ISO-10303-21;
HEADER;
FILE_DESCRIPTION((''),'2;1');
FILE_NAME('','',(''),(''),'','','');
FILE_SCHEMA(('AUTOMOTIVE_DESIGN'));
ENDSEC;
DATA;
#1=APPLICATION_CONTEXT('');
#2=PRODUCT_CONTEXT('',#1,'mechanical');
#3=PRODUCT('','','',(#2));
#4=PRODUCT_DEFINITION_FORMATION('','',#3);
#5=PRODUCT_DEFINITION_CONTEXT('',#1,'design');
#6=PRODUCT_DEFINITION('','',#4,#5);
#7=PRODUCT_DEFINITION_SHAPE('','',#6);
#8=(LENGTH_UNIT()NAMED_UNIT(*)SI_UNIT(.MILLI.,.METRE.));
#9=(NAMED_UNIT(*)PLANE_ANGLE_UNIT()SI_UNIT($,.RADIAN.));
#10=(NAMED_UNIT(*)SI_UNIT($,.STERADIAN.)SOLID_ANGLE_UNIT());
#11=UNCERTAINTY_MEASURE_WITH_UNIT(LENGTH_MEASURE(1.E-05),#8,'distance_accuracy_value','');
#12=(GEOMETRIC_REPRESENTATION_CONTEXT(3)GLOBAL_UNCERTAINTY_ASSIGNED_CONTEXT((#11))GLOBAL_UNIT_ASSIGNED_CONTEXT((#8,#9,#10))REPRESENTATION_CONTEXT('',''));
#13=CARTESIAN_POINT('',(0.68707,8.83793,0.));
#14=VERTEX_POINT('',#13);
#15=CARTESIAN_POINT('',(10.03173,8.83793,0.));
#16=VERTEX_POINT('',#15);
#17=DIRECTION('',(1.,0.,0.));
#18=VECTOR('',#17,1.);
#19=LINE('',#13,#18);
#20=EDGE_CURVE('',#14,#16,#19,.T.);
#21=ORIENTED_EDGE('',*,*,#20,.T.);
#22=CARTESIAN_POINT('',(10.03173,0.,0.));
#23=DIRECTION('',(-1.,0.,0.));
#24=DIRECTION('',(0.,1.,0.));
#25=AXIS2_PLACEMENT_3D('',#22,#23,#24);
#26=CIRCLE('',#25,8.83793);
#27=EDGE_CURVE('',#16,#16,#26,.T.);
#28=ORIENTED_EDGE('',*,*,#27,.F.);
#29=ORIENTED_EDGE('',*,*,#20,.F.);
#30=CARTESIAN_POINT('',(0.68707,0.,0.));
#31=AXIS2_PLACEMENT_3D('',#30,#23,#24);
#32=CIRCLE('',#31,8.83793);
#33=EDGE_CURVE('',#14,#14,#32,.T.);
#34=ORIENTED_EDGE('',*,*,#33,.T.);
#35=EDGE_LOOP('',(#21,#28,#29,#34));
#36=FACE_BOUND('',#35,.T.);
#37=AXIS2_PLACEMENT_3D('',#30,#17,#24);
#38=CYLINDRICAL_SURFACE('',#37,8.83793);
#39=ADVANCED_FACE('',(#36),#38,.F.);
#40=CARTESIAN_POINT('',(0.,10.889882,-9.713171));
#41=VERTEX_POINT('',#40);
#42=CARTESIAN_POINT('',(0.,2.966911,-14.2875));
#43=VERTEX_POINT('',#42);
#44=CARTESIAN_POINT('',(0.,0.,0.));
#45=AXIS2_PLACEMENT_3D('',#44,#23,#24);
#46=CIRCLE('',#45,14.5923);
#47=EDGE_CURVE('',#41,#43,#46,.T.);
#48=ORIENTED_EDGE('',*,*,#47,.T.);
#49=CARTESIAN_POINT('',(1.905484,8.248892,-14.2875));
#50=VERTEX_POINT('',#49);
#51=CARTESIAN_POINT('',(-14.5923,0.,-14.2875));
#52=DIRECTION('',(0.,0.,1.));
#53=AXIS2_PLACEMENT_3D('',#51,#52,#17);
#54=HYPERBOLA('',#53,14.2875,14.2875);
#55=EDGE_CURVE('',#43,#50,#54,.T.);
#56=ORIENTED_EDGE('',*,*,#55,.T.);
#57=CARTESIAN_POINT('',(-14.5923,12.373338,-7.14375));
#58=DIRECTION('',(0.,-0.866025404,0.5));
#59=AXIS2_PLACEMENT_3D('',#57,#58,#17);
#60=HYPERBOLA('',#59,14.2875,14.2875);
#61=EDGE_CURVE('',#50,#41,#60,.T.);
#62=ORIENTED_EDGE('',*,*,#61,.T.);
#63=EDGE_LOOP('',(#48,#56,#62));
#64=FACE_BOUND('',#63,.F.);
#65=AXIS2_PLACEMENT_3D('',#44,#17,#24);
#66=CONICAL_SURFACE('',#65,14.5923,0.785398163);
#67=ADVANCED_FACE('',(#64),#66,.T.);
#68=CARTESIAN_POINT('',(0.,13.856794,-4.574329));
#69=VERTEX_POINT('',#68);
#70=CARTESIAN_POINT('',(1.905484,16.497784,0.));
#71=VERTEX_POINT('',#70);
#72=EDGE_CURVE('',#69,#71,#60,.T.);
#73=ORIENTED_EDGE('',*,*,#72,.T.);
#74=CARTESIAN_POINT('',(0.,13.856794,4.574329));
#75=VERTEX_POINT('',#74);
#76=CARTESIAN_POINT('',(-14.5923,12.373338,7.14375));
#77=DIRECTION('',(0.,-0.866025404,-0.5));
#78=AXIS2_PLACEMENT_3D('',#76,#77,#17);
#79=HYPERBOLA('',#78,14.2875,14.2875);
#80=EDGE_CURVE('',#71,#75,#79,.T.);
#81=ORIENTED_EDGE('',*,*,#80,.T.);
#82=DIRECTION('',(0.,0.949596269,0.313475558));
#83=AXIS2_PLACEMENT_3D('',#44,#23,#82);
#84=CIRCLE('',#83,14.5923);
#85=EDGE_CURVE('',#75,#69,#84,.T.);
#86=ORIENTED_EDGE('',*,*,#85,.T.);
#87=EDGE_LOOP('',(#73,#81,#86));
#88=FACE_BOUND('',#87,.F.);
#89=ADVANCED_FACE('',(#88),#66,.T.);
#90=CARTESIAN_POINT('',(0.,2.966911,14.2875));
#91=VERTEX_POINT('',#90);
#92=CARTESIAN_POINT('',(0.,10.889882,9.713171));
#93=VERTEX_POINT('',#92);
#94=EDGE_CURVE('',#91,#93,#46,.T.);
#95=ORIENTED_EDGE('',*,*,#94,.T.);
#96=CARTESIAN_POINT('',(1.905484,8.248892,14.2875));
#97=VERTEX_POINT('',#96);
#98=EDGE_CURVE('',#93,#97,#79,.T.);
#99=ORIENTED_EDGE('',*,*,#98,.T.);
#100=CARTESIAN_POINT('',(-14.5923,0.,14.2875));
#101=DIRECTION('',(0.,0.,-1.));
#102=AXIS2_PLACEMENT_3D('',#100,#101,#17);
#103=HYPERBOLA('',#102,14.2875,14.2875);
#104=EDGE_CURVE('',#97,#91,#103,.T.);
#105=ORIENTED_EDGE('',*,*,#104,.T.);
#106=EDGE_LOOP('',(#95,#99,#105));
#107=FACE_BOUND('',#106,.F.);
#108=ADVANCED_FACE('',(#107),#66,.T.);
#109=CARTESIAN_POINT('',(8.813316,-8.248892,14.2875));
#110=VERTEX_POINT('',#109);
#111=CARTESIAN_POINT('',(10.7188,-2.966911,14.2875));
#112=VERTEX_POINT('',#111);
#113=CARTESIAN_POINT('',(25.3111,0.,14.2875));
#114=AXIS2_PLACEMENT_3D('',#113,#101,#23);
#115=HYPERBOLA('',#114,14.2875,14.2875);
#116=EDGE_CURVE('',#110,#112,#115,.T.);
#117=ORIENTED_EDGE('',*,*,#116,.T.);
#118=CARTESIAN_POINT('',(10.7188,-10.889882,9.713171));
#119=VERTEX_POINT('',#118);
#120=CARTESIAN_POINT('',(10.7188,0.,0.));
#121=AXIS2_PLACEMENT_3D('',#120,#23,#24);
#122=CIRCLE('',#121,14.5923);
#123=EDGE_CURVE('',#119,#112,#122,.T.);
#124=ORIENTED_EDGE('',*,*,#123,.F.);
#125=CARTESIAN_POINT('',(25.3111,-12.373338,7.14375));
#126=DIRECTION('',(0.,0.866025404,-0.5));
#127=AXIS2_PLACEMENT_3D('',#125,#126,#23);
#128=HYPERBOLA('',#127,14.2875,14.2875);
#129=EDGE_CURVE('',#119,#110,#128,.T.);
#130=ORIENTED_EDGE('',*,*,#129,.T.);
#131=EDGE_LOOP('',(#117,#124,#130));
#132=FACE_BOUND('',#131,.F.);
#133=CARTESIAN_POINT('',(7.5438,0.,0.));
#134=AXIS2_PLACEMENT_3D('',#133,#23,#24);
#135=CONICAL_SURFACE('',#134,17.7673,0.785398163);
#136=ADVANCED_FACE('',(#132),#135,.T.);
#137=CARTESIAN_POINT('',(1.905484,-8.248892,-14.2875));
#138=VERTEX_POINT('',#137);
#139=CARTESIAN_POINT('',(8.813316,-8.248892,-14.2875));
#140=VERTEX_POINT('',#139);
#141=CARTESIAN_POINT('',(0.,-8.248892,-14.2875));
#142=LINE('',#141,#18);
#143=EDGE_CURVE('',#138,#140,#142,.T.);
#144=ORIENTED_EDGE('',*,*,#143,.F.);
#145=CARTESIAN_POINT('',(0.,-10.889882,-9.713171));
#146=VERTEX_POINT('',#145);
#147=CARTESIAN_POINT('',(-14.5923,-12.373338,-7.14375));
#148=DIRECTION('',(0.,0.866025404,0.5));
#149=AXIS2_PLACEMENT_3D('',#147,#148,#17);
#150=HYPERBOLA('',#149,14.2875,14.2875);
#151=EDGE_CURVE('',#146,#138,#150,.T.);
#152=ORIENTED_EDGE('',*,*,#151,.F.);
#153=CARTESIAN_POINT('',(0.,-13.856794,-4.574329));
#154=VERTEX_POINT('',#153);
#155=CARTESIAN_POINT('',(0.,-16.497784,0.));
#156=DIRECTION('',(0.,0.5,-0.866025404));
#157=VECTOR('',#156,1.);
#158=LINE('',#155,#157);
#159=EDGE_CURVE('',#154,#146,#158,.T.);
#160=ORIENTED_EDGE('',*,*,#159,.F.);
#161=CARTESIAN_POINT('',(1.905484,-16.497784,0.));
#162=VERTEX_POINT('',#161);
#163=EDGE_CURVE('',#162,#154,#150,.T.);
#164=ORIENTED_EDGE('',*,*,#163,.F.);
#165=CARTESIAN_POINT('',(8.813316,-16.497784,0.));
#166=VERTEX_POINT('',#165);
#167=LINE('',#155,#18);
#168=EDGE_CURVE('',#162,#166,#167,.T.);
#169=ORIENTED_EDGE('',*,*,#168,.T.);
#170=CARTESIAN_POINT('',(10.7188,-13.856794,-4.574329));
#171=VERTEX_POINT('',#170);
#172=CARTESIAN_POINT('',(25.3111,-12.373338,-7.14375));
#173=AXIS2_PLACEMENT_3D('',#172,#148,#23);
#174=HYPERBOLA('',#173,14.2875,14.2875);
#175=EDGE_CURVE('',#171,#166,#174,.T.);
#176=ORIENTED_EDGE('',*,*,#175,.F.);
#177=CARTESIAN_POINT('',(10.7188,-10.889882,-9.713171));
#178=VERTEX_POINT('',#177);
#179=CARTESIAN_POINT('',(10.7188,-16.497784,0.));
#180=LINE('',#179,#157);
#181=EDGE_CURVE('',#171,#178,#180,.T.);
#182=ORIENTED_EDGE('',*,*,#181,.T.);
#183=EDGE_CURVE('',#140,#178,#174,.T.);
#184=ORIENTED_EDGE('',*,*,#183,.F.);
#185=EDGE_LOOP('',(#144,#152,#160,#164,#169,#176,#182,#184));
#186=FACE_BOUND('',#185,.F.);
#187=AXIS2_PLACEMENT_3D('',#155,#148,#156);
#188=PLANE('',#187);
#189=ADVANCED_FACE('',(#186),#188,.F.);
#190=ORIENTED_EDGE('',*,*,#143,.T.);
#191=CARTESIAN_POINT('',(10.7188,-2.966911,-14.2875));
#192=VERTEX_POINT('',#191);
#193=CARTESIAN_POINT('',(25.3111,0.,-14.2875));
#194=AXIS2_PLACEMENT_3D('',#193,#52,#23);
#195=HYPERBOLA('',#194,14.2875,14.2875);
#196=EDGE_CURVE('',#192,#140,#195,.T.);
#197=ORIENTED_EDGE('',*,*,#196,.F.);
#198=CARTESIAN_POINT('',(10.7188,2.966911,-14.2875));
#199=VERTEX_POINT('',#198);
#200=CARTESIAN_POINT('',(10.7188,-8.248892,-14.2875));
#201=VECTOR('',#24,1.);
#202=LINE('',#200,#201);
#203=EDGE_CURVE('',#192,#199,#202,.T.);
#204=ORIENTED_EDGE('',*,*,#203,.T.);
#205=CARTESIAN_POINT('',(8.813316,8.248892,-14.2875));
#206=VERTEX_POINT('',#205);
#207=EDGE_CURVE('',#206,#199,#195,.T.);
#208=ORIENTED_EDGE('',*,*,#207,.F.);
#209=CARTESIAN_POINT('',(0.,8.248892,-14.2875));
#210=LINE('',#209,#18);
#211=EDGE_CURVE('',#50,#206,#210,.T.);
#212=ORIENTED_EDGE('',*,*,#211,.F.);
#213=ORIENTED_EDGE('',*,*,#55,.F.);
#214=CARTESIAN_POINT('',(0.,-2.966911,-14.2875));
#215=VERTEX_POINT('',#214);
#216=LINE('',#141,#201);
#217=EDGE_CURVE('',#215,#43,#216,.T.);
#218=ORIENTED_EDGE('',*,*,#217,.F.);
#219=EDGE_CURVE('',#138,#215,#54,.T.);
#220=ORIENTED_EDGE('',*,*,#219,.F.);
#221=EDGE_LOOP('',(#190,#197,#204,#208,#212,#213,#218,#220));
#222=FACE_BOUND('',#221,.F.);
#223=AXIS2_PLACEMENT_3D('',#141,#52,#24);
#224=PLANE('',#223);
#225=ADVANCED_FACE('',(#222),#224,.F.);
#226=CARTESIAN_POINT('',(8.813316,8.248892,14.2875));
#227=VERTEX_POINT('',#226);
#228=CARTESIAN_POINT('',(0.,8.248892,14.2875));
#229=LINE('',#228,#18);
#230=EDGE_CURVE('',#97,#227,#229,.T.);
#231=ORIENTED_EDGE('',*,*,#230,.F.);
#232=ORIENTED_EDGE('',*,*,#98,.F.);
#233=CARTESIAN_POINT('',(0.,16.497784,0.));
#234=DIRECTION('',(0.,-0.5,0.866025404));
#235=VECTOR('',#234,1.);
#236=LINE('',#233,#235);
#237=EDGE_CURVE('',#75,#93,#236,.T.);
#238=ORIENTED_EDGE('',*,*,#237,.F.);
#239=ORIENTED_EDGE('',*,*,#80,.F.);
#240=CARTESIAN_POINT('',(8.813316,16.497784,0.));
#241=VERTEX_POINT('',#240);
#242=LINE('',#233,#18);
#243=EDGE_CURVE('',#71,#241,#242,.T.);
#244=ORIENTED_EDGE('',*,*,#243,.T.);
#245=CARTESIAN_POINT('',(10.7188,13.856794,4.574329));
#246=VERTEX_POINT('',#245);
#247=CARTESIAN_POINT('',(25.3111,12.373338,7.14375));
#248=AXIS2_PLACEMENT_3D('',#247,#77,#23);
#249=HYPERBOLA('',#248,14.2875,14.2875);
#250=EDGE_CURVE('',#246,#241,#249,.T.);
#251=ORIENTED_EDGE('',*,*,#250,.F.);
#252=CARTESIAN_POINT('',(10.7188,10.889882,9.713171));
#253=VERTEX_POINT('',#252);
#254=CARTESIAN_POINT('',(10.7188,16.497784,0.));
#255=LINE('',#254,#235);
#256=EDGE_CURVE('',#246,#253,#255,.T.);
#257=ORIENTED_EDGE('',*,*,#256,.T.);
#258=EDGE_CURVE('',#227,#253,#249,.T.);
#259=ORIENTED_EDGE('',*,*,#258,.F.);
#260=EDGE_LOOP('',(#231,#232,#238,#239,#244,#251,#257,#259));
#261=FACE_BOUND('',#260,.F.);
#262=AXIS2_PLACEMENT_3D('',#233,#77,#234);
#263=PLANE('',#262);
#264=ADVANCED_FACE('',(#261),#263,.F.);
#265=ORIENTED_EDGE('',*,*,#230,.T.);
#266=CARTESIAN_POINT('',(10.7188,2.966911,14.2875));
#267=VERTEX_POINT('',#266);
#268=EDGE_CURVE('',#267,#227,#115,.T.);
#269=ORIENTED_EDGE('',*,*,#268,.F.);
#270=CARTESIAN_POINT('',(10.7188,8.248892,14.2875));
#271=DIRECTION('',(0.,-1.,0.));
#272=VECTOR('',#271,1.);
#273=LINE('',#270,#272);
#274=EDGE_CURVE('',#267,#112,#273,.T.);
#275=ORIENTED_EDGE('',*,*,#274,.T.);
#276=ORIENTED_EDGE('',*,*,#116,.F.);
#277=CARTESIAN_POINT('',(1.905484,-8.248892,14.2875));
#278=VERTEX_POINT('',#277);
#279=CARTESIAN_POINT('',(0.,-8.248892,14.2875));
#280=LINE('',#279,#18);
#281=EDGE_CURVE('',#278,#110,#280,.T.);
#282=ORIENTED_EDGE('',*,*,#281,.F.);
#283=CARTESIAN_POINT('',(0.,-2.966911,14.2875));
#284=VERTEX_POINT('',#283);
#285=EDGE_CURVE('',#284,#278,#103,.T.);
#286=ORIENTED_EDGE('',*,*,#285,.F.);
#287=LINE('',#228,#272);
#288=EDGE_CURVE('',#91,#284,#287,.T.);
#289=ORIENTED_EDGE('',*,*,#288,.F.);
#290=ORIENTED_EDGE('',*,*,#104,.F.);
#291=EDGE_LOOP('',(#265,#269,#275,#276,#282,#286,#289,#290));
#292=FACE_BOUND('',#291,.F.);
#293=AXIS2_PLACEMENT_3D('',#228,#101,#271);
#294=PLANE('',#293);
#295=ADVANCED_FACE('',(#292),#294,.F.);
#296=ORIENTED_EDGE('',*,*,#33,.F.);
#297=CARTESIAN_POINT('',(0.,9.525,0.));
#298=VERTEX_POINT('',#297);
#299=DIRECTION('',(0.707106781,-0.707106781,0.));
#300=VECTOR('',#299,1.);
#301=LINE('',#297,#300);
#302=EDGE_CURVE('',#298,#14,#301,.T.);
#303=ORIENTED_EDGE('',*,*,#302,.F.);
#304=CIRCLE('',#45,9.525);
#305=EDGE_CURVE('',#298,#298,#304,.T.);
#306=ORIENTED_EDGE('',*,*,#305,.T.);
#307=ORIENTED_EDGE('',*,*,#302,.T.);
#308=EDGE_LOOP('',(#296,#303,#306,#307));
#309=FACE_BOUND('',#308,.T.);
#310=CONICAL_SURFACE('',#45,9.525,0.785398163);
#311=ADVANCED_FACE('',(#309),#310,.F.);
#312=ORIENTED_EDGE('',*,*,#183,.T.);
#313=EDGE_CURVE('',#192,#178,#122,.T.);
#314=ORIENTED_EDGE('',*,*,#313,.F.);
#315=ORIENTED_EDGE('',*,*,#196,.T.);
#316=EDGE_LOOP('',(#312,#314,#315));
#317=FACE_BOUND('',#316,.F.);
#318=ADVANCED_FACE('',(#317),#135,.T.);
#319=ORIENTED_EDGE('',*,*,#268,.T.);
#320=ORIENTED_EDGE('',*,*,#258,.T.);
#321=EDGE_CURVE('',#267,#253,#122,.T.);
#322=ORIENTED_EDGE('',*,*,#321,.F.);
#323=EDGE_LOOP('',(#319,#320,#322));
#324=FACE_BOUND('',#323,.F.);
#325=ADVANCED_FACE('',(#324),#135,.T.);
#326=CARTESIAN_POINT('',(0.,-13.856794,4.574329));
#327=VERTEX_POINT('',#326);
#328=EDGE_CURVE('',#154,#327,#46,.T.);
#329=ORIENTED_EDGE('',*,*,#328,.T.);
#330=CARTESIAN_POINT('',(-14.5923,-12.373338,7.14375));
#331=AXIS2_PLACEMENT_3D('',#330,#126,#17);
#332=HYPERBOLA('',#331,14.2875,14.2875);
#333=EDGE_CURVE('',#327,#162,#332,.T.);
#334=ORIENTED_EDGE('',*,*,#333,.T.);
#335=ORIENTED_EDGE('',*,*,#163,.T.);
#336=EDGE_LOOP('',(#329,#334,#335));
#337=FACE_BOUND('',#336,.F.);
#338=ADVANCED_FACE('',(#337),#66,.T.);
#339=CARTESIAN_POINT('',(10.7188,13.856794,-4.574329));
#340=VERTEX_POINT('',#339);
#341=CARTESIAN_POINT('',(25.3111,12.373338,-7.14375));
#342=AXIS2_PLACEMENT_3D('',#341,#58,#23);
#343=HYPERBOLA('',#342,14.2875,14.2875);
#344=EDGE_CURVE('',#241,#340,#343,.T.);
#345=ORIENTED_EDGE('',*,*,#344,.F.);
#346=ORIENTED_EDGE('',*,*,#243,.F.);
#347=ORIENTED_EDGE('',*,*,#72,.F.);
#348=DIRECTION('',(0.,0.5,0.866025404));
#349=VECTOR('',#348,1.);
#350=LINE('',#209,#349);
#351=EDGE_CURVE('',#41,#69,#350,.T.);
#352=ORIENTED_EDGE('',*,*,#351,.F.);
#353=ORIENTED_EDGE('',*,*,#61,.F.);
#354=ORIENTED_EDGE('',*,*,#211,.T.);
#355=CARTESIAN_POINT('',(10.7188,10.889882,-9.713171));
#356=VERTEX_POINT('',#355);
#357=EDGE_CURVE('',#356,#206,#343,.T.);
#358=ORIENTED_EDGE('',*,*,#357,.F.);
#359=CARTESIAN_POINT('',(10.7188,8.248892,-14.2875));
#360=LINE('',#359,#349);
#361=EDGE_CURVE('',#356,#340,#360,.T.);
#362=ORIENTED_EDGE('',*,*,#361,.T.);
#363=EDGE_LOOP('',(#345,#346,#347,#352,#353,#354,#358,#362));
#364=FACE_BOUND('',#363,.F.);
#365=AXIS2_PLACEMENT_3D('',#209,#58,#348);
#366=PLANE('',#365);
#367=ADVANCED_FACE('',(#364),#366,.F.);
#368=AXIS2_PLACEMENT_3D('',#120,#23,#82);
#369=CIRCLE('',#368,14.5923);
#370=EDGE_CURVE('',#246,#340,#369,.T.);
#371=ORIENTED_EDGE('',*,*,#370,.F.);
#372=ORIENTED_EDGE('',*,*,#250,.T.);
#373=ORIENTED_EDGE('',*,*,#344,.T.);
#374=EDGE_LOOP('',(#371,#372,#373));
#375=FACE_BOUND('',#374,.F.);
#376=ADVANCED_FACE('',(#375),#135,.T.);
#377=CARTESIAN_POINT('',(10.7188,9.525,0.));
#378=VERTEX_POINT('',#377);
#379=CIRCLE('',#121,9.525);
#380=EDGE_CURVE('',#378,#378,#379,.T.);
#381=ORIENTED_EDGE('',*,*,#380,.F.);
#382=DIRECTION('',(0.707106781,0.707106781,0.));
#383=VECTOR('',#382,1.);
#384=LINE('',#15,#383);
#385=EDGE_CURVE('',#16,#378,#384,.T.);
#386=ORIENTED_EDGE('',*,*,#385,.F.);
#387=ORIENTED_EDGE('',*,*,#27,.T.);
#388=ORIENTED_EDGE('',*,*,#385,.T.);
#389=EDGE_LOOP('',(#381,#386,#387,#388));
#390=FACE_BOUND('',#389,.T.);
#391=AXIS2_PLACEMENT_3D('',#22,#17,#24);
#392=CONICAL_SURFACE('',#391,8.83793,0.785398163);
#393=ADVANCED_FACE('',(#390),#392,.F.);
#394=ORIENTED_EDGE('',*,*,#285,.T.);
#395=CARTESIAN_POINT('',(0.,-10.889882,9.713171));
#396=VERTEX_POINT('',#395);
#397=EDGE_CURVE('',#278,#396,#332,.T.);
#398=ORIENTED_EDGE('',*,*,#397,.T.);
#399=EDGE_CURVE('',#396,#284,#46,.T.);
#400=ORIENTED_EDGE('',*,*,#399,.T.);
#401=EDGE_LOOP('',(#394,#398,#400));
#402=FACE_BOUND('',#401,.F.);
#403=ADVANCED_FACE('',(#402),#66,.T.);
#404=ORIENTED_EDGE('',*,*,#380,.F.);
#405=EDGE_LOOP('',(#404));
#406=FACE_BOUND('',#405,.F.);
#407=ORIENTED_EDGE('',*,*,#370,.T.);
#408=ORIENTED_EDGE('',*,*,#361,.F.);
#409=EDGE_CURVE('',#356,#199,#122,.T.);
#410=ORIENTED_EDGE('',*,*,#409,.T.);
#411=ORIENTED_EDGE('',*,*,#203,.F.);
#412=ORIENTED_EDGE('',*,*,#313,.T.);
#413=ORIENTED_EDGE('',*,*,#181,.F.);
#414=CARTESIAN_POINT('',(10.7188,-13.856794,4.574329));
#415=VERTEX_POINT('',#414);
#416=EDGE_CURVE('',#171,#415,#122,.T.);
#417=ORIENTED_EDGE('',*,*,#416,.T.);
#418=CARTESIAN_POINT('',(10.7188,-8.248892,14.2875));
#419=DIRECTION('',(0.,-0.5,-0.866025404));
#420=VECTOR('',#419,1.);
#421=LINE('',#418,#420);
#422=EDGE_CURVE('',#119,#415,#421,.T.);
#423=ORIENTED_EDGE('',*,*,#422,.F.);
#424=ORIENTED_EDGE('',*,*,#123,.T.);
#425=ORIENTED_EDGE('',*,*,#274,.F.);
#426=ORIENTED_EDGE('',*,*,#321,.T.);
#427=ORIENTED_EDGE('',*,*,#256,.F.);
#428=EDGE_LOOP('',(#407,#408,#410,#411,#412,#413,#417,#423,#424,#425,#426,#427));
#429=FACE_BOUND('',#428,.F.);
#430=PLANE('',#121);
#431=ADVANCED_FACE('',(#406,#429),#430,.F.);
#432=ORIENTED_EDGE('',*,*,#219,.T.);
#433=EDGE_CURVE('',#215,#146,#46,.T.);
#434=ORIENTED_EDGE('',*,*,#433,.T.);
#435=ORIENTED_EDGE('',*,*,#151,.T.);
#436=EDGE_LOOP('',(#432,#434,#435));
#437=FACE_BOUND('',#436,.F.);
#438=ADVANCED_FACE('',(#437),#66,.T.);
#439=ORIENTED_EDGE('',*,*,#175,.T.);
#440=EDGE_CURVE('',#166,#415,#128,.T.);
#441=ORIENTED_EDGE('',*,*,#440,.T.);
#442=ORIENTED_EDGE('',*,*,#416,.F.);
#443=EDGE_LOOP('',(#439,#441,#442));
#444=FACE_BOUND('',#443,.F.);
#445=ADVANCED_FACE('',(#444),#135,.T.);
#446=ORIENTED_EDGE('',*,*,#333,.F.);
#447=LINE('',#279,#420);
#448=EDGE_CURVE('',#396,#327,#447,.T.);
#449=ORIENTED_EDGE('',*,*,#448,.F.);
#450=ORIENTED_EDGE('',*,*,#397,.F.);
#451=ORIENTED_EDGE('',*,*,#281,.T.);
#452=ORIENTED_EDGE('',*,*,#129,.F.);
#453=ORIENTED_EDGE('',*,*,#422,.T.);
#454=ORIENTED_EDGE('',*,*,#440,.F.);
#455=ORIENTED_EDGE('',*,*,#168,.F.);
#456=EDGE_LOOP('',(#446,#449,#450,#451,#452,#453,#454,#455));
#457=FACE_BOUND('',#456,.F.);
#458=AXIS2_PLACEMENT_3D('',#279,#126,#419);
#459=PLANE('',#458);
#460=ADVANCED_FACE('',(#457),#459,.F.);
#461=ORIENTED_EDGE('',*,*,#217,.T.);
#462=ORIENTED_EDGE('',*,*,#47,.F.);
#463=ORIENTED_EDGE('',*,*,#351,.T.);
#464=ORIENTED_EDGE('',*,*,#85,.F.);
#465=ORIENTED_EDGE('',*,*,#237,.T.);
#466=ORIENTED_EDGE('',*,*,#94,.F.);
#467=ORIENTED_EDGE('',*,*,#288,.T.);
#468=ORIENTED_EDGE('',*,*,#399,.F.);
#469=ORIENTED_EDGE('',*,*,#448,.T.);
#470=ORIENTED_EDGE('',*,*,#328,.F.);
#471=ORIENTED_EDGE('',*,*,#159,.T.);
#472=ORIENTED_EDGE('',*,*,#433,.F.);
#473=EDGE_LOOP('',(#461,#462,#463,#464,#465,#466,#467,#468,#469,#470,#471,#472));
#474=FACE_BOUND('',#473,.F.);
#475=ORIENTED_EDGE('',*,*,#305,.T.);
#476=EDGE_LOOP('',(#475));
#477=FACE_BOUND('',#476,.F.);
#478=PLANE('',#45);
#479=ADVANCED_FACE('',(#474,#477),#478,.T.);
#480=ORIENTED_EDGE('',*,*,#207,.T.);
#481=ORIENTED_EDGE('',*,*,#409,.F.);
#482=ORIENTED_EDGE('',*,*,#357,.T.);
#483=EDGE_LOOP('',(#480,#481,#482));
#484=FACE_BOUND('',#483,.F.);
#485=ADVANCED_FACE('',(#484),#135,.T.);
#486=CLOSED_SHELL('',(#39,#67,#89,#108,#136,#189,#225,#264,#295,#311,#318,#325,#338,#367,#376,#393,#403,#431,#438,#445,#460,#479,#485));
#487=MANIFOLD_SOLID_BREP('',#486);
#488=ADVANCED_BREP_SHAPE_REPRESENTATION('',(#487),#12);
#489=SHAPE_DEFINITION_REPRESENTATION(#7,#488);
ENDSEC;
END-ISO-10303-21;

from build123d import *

# Parameters (mm, degrees)
ESBO_O2_R             = 28.575
CORTE_EXTRUS_O1_DEPTH = 10.7188


with BuildPart() as part:
    # Esboço1 → Revolução1 (revolve)
    with BuildSketch(Plane.XY):
        Polygon((0, 0), (0, 14.5923), (3.175, 17.7673), (7.5438, 17.7673), (10.7188, 14.5923), (10.7188, 0), align=None)
    revolve(axis=Axis((10.7188, 0, 0), (-1, 0, 0)))

    # Esboço2 → Corte-extrusão1 (cut)
    with BuildSketch(Plane(origin=(0, 0, 0), x_dir=(0, 0, -1), z_dir=(1, 0, 0))):
        Circle(ESBO_O2_R)
        Polygon((-14.2875, -8.248891971), (0, -16.497783942), (14.2875, -8.248891971), (14.2875, 8.248891971), (0, 16.497783942), (-14.2875, 8.248891971), align=None, mode=Mode.SUBTRACT)
    extrude(amount=CORTE_EXTRUS_O1_DEPTH, mode=Mode.SUBTRACT)

    # Esboço3 → Corte-Revolução1 (revolve, cut)
    with BuildSketch(Plane.XY):
        Polygon((0, 0), (0, 9.525), (0.68707, 8.83793), (10.03173, 8.83793), (10.7188, 9.525), (10.7188, 0), align=None)
    revolve(axis=Axis((10.7188, 0, 0), (-1, 0, 0)), mode=Mode.SUBTRACT)


solid = part.part
